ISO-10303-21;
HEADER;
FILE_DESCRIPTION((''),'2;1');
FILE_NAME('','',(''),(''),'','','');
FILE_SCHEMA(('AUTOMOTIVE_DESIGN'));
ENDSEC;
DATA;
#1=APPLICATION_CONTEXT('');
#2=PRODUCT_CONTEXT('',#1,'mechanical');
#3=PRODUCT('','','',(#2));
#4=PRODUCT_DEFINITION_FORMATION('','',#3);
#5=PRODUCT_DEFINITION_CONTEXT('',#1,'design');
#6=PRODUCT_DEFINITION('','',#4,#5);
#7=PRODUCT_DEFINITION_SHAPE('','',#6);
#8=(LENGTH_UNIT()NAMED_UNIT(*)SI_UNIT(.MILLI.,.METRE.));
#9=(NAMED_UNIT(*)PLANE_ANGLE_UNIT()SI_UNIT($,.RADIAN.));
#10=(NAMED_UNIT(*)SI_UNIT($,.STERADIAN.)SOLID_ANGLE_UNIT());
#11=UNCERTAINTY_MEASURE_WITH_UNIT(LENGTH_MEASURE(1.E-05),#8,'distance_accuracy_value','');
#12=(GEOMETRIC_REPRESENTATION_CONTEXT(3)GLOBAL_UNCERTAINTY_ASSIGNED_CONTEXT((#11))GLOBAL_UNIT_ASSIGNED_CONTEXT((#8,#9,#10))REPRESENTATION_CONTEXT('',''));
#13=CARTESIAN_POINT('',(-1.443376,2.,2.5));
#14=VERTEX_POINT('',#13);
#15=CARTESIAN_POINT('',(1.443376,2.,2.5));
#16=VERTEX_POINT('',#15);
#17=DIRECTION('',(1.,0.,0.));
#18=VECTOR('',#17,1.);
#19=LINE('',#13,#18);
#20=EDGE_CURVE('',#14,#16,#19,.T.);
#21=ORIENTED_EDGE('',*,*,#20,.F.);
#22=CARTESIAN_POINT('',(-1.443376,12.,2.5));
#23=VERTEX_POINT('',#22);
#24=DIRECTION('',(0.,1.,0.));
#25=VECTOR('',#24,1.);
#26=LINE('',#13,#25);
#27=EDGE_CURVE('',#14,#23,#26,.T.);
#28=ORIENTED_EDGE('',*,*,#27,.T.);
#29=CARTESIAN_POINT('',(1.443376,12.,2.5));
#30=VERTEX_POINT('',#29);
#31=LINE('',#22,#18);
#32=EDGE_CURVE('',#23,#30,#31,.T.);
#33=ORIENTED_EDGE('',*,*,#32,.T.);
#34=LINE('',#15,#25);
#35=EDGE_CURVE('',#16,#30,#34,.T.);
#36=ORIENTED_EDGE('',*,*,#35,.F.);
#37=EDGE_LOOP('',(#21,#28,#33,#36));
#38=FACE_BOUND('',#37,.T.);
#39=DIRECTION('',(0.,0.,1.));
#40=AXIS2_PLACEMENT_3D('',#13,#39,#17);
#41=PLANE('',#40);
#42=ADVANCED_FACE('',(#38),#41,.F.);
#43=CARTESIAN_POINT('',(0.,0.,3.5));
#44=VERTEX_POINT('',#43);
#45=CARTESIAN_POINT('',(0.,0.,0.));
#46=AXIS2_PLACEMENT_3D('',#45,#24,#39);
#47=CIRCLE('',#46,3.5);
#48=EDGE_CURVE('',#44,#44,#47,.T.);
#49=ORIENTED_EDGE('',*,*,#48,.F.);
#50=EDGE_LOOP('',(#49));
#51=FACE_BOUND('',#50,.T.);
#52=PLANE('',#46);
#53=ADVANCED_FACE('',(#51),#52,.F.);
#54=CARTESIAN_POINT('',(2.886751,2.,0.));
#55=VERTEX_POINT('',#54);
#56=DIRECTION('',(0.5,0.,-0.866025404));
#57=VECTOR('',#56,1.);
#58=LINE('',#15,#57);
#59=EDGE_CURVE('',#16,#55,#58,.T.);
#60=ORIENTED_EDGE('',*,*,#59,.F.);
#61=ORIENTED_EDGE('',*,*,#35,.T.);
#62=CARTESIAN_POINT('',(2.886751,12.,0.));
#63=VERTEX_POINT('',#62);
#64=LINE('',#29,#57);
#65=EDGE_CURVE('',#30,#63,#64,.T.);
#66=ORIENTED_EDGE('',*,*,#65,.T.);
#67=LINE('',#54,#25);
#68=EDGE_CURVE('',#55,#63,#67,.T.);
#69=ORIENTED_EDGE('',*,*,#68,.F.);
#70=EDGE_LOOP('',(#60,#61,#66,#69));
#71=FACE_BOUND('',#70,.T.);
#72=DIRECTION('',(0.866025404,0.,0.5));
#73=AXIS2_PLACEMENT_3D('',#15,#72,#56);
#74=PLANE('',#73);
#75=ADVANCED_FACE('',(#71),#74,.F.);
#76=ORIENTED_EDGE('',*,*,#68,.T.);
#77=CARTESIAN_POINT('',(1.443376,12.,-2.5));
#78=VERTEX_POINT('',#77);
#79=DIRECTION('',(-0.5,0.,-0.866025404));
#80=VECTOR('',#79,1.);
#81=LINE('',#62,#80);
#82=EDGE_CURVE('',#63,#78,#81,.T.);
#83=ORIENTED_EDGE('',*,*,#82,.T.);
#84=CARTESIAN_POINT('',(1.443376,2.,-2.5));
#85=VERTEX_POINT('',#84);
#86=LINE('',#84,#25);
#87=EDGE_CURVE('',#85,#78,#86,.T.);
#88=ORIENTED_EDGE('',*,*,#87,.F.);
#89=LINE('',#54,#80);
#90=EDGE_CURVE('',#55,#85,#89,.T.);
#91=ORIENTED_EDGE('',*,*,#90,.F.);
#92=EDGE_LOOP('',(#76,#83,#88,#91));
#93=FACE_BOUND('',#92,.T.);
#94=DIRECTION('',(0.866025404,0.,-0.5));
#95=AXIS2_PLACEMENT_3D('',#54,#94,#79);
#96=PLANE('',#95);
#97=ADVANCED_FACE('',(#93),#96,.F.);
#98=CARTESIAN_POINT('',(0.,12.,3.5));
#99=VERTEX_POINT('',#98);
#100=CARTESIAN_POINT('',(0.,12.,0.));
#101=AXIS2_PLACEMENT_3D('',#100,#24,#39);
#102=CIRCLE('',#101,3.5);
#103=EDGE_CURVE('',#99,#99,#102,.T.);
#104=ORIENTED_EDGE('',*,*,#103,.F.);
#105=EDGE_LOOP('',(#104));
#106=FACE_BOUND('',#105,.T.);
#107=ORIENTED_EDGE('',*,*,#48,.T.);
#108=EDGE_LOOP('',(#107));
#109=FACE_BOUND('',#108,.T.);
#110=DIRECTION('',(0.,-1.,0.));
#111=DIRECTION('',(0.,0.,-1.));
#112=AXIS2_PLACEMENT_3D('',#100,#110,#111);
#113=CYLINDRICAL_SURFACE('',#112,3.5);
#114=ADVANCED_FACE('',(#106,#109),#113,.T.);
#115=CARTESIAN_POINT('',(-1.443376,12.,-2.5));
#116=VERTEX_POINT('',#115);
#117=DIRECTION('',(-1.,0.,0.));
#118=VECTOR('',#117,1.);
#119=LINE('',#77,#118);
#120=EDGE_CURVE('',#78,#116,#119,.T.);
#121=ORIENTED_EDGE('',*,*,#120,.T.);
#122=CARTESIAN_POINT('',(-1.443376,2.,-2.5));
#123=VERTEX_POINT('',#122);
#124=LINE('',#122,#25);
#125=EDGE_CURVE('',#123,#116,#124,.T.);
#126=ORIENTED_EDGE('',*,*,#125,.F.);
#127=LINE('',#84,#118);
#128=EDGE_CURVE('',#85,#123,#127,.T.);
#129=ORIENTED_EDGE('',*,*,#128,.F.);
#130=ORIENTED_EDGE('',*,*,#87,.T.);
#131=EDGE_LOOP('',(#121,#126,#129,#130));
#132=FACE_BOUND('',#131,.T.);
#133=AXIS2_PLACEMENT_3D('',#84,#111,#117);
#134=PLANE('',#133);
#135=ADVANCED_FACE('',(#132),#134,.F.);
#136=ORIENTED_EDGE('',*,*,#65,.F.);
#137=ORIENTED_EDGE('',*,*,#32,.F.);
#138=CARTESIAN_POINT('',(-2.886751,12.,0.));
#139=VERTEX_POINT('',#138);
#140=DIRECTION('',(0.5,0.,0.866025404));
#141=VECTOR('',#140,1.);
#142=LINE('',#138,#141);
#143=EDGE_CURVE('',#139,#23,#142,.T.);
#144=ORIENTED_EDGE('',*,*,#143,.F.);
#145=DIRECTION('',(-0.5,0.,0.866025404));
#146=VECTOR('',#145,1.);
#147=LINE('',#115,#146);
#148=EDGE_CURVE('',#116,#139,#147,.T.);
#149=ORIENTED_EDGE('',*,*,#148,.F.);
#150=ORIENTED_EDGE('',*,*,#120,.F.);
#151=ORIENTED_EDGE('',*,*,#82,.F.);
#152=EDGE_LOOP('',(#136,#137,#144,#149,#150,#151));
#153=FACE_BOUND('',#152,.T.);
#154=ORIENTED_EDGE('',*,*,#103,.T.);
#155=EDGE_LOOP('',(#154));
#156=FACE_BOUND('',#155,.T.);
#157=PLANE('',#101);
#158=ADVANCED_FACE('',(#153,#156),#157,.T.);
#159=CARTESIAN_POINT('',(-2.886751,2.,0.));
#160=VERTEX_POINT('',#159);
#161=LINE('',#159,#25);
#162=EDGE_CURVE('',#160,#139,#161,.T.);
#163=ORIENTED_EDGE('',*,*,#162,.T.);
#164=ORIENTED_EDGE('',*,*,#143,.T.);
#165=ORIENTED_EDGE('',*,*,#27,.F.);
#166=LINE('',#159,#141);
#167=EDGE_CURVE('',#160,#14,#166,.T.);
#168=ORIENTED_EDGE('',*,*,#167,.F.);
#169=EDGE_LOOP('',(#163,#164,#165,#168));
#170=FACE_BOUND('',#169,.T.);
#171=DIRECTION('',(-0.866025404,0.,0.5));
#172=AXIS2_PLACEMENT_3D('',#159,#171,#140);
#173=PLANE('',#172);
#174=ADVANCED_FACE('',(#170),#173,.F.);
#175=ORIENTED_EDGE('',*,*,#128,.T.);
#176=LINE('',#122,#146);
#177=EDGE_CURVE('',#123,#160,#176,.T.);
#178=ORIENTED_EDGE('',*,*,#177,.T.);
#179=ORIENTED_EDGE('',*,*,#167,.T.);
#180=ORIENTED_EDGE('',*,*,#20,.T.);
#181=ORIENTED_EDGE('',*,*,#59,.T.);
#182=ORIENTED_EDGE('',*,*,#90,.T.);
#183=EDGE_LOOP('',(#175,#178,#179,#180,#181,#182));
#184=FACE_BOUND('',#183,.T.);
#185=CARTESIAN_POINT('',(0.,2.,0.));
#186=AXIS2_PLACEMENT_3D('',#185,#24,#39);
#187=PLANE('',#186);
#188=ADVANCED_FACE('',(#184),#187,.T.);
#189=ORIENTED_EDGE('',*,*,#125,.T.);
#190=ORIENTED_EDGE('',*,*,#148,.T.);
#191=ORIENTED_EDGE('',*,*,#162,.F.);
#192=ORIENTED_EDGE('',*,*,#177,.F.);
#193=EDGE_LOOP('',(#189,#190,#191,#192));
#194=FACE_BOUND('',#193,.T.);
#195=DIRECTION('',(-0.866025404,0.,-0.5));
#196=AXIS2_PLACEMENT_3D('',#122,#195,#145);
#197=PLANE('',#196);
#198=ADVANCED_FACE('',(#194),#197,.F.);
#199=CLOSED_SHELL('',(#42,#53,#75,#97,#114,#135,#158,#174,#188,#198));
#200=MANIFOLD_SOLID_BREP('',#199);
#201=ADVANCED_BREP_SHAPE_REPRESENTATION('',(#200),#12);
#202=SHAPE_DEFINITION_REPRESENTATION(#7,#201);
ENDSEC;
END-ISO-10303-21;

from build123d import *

# Parameters (mm, degrees)
SKETCH1_R           = 3.5
BOSS_EXTRUDE1_DEPTH = 12
CUT_EXTRUDE1_DEPTH  = 10


with BuildPart() as part:
    # Sketch1 → Boss-Extrude1 (new body)
    with BuildSketch(Plane(origin=(0, 0, 0), x_dir=(1, 0, 0), z_dir=(0, 1, 0))):
        Circle(SKETCH1_R)
    extrude(amount=BOSS_EXTRUDE1_DEPTH)

    # Sketch2 → Cut-Extrude1 (cut)
    with BuildSketch(Plane(origin=(0, 12, 0), x_dir=(1, 0, 0), z_dir=(0, 1, 0))):
        Polygon((2.886751346, 0), (1.443375673, 2.5), (-1.443375673, 2.5), (-2.886751346, 0), (-1.443375673, -2.5), (1.443375673, -2.5), align=None)
    extrude(amount=-CUT_EXTRUDE1_DEPTH, mode=Mode.SUBTRACT)


solid = part.part
